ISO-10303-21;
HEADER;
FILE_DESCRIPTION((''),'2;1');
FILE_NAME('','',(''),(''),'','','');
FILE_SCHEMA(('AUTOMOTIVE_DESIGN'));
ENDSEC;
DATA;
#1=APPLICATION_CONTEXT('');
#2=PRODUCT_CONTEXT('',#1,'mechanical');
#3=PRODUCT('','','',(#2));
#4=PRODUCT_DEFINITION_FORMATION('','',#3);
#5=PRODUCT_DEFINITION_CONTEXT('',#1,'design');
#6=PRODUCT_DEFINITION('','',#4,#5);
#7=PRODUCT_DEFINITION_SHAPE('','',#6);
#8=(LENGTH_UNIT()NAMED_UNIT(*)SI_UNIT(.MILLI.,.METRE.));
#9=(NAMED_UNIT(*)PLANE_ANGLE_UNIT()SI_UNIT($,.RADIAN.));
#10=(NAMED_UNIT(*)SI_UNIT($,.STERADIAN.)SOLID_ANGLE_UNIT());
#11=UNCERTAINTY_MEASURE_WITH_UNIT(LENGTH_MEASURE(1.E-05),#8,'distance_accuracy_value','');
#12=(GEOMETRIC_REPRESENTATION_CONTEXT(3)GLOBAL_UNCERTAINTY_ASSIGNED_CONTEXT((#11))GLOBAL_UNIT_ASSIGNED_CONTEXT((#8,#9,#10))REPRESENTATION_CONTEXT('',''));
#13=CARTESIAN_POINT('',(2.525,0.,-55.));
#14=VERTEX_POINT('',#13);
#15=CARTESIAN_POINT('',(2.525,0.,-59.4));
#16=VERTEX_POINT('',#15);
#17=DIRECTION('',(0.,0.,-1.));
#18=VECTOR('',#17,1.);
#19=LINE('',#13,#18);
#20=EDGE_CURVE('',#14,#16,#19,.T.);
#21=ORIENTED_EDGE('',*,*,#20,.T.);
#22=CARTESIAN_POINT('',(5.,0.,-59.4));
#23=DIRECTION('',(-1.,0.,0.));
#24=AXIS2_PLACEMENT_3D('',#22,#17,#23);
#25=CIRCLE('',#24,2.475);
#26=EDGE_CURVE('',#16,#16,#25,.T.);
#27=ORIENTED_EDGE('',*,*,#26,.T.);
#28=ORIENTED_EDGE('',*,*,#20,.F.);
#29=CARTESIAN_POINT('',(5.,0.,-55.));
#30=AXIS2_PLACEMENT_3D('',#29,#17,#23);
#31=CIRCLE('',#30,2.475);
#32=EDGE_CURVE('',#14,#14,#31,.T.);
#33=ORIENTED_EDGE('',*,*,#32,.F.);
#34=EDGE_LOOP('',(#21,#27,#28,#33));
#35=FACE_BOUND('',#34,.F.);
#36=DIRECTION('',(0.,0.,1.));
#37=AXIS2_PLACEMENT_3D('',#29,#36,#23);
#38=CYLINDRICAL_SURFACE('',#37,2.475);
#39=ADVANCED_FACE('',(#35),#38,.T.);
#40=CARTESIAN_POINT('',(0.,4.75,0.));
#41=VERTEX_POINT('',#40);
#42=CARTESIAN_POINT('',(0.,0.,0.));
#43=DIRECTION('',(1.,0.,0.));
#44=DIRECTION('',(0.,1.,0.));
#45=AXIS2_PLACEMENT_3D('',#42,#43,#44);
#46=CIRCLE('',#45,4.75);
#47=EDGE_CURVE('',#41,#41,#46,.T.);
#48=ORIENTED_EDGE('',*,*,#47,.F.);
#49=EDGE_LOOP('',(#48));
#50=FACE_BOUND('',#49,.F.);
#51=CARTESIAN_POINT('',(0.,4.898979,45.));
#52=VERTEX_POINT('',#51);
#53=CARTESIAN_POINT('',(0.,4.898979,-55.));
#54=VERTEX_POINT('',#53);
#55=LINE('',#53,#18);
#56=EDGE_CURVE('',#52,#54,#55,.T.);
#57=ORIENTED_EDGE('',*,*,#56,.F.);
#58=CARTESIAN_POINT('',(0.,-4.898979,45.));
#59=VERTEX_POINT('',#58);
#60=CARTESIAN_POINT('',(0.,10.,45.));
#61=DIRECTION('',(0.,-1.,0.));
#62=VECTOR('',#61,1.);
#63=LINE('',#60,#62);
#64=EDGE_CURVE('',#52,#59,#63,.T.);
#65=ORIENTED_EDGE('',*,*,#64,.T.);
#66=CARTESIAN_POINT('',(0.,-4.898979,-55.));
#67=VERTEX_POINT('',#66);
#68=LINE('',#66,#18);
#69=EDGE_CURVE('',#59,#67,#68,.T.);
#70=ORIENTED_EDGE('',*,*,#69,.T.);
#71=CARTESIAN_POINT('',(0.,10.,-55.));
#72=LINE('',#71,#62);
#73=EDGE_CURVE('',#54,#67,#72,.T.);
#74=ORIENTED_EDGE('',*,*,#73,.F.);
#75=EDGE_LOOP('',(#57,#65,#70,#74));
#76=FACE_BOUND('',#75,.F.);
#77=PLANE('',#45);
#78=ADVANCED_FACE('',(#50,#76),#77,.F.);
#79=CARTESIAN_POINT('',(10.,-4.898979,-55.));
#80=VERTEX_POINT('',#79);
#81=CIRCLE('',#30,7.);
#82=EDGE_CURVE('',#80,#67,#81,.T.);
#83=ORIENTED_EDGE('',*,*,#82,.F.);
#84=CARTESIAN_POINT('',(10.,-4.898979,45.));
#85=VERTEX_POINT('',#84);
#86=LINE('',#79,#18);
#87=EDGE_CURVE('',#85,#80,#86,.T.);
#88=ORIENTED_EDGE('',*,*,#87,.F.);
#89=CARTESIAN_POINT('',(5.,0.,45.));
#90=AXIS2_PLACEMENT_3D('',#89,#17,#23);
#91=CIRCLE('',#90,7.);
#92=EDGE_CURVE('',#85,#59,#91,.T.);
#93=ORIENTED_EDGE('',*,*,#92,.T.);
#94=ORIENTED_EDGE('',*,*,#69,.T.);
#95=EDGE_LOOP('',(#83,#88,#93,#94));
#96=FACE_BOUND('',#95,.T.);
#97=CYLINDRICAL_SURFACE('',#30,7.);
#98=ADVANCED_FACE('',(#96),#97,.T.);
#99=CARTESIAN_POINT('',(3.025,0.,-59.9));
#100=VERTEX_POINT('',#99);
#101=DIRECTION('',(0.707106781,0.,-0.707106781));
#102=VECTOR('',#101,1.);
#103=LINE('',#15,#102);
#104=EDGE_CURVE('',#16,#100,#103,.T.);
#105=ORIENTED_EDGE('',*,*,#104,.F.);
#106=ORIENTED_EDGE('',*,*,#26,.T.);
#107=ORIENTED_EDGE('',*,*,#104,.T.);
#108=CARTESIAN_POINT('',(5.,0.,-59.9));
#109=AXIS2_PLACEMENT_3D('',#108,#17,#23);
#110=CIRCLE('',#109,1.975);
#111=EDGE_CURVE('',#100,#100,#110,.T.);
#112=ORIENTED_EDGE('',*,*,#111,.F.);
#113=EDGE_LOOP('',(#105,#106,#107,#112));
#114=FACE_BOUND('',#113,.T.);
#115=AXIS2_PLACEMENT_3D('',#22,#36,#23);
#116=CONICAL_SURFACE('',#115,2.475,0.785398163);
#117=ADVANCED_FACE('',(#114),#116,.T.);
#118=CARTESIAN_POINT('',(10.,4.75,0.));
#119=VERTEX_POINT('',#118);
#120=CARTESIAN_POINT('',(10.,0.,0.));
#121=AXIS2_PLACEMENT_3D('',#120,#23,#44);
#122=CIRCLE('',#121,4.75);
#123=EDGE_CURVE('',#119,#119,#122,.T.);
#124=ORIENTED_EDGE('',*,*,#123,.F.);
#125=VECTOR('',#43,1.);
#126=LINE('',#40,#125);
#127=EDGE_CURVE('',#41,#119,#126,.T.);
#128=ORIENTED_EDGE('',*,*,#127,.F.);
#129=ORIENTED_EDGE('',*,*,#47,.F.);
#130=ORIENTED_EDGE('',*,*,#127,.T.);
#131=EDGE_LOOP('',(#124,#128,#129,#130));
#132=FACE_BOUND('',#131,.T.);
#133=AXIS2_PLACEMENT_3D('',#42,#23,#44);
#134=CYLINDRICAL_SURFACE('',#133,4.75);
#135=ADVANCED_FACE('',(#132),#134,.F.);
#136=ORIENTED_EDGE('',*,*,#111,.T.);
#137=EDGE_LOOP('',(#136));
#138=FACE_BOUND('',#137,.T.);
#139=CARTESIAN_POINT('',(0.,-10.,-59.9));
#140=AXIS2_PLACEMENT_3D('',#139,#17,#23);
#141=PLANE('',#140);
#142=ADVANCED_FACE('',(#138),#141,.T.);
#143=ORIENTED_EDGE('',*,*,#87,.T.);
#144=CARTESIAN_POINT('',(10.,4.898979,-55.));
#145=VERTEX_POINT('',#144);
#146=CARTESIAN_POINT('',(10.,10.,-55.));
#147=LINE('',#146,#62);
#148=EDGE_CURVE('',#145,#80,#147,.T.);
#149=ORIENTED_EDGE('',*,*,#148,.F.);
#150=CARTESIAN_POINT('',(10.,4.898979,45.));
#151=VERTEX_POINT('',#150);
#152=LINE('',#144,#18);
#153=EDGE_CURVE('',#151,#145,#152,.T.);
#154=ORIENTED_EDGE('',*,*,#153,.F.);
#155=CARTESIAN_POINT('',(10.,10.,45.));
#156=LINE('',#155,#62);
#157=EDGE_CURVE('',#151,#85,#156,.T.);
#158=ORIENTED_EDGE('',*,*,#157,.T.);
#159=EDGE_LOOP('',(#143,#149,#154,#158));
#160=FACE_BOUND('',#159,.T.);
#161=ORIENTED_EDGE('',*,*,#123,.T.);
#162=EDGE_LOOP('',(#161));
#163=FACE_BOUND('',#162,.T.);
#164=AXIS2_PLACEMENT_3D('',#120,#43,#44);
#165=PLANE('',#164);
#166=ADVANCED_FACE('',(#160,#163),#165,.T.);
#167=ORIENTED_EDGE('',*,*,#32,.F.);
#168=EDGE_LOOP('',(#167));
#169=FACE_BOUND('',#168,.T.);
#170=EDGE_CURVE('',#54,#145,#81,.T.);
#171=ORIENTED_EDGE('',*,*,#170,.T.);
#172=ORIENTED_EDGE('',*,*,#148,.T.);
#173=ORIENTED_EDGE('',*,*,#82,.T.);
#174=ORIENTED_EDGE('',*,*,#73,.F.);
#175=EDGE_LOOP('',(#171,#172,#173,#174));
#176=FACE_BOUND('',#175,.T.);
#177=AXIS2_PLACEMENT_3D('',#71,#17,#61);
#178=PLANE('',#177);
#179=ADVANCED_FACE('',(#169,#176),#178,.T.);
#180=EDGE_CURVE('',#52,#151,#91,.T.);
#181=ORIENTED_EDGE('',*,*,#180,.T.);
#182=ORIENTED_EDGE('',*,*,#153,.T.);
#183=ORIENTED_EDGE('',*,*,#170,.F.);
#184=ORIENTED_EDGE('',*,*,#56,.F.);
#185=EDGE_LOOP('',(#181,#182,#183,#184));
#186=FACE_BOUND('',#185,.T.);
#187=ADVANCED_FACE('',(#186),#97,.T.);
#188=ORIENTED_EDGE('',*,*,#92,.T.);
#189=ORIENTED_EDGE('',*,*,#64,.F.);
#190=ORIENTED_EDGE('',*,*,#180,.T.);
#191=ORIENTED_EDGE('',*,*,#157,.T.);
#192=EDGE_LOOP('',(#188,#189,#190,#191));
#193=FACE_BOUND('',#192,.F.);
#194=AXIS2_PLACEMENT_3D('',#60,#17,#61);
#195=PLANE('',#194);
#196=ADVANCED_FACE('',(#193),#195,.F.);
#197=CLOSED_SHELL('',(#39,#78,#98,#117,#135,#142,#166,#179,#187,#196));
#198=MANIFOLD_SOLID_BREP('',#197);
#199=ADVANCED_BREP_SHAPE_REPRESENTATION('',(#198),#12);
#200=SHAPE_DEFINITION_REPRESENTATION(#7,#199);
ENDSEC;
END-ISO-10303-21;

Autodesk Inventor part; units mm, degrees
ref_plane "YZ Plane" through (0, 0, 0) normal (1, 0, 0) x (0, 1, 0)
ref_plane "XZ Plane" through (0, 0, 0) normal (0, 1, 0) x (-1, 0, 0)
ref_plane "XY Plane" through (0, 0, 0) normal (0, 0, 1) x (1, 0, 0)
sketch "Sketch1" plane through (0, 0, 0) normal (1, 0, 0) x (0, 1, 0)
  circle A0 centre (0, 0) radius 4.75
  line L0 (10, 45) -> (-10, 45)
  line L1 (10, 38) -> (-10, 38)
  line L2 (10, 45) -> (10, 38)
  line L3 (-10, 38) -> (-10, 45)
  line L4 (-4.75, 0) -> (-8.4137, 0)
  line L5 (-14, 0) -> (14, 0) projected
  line L6 (10, -55) -> (-10, -55)
  line L7 (-10, -55) -> (-10, -48)
  line L8 (-10, -48) -> (10, -48)
  line L9 (10, -48) -> (10, -55)
  line L10 (10, 38) -> (10, -48)
  line L11 (-10, -48) -> (-10, 38)
  point P0 (0, 45)
  point P1 (0, -55)
  dimension "d0" = 9.5
  dimension "d1" = 20
  dimension "d2" = 0
  dimension "d3" = 7
  dimension "d4" = 45
  dimension "d8" = 20
  dimension "d9" = 7
  dimension "d10" = 0
  dimension "d11" = 55
extrude "Extrusion1" add sketch "Sketch1" along normal blind 10 contours L5 L10 L8 L11 L4 A0 | A0 L4 L5 L11 L1 L10 | L1 L3 L0 L2 | L9 L6 L7 L8
sketch "Sketch2" plane through (0, -10, -55) normal (0, 0, -1) x (-1, 0, 0)
  circle A0 centre (-5, 10) radius 2.475
  point P0 (0, 10)
  dimension "d12" = 4.95
extrude "Extrusion2" add sketch "Sketch2" along normal blind 4.9
chamfer "Chamfer1" distance 0.5 angle 45 1 edges at (7.475, 0, -59.9)
sketch "Sketch3" plane through (0, -10, -55) normal (0, 0, -1) x (-1, 0, 0)
  circle A0 centre (-5, 10) radius 2.475 projected
  circle A1 centre (-5, 10) radius 7
  circle A2 centre (-5, 10) radius 17.4724
  point P0 (0, 10)
  dimension "d18" = 14
extrude "Extrusion3" cut sketch "Sketch3" against normal through all contours A2
properties part number "temp_nozzle_v2"
